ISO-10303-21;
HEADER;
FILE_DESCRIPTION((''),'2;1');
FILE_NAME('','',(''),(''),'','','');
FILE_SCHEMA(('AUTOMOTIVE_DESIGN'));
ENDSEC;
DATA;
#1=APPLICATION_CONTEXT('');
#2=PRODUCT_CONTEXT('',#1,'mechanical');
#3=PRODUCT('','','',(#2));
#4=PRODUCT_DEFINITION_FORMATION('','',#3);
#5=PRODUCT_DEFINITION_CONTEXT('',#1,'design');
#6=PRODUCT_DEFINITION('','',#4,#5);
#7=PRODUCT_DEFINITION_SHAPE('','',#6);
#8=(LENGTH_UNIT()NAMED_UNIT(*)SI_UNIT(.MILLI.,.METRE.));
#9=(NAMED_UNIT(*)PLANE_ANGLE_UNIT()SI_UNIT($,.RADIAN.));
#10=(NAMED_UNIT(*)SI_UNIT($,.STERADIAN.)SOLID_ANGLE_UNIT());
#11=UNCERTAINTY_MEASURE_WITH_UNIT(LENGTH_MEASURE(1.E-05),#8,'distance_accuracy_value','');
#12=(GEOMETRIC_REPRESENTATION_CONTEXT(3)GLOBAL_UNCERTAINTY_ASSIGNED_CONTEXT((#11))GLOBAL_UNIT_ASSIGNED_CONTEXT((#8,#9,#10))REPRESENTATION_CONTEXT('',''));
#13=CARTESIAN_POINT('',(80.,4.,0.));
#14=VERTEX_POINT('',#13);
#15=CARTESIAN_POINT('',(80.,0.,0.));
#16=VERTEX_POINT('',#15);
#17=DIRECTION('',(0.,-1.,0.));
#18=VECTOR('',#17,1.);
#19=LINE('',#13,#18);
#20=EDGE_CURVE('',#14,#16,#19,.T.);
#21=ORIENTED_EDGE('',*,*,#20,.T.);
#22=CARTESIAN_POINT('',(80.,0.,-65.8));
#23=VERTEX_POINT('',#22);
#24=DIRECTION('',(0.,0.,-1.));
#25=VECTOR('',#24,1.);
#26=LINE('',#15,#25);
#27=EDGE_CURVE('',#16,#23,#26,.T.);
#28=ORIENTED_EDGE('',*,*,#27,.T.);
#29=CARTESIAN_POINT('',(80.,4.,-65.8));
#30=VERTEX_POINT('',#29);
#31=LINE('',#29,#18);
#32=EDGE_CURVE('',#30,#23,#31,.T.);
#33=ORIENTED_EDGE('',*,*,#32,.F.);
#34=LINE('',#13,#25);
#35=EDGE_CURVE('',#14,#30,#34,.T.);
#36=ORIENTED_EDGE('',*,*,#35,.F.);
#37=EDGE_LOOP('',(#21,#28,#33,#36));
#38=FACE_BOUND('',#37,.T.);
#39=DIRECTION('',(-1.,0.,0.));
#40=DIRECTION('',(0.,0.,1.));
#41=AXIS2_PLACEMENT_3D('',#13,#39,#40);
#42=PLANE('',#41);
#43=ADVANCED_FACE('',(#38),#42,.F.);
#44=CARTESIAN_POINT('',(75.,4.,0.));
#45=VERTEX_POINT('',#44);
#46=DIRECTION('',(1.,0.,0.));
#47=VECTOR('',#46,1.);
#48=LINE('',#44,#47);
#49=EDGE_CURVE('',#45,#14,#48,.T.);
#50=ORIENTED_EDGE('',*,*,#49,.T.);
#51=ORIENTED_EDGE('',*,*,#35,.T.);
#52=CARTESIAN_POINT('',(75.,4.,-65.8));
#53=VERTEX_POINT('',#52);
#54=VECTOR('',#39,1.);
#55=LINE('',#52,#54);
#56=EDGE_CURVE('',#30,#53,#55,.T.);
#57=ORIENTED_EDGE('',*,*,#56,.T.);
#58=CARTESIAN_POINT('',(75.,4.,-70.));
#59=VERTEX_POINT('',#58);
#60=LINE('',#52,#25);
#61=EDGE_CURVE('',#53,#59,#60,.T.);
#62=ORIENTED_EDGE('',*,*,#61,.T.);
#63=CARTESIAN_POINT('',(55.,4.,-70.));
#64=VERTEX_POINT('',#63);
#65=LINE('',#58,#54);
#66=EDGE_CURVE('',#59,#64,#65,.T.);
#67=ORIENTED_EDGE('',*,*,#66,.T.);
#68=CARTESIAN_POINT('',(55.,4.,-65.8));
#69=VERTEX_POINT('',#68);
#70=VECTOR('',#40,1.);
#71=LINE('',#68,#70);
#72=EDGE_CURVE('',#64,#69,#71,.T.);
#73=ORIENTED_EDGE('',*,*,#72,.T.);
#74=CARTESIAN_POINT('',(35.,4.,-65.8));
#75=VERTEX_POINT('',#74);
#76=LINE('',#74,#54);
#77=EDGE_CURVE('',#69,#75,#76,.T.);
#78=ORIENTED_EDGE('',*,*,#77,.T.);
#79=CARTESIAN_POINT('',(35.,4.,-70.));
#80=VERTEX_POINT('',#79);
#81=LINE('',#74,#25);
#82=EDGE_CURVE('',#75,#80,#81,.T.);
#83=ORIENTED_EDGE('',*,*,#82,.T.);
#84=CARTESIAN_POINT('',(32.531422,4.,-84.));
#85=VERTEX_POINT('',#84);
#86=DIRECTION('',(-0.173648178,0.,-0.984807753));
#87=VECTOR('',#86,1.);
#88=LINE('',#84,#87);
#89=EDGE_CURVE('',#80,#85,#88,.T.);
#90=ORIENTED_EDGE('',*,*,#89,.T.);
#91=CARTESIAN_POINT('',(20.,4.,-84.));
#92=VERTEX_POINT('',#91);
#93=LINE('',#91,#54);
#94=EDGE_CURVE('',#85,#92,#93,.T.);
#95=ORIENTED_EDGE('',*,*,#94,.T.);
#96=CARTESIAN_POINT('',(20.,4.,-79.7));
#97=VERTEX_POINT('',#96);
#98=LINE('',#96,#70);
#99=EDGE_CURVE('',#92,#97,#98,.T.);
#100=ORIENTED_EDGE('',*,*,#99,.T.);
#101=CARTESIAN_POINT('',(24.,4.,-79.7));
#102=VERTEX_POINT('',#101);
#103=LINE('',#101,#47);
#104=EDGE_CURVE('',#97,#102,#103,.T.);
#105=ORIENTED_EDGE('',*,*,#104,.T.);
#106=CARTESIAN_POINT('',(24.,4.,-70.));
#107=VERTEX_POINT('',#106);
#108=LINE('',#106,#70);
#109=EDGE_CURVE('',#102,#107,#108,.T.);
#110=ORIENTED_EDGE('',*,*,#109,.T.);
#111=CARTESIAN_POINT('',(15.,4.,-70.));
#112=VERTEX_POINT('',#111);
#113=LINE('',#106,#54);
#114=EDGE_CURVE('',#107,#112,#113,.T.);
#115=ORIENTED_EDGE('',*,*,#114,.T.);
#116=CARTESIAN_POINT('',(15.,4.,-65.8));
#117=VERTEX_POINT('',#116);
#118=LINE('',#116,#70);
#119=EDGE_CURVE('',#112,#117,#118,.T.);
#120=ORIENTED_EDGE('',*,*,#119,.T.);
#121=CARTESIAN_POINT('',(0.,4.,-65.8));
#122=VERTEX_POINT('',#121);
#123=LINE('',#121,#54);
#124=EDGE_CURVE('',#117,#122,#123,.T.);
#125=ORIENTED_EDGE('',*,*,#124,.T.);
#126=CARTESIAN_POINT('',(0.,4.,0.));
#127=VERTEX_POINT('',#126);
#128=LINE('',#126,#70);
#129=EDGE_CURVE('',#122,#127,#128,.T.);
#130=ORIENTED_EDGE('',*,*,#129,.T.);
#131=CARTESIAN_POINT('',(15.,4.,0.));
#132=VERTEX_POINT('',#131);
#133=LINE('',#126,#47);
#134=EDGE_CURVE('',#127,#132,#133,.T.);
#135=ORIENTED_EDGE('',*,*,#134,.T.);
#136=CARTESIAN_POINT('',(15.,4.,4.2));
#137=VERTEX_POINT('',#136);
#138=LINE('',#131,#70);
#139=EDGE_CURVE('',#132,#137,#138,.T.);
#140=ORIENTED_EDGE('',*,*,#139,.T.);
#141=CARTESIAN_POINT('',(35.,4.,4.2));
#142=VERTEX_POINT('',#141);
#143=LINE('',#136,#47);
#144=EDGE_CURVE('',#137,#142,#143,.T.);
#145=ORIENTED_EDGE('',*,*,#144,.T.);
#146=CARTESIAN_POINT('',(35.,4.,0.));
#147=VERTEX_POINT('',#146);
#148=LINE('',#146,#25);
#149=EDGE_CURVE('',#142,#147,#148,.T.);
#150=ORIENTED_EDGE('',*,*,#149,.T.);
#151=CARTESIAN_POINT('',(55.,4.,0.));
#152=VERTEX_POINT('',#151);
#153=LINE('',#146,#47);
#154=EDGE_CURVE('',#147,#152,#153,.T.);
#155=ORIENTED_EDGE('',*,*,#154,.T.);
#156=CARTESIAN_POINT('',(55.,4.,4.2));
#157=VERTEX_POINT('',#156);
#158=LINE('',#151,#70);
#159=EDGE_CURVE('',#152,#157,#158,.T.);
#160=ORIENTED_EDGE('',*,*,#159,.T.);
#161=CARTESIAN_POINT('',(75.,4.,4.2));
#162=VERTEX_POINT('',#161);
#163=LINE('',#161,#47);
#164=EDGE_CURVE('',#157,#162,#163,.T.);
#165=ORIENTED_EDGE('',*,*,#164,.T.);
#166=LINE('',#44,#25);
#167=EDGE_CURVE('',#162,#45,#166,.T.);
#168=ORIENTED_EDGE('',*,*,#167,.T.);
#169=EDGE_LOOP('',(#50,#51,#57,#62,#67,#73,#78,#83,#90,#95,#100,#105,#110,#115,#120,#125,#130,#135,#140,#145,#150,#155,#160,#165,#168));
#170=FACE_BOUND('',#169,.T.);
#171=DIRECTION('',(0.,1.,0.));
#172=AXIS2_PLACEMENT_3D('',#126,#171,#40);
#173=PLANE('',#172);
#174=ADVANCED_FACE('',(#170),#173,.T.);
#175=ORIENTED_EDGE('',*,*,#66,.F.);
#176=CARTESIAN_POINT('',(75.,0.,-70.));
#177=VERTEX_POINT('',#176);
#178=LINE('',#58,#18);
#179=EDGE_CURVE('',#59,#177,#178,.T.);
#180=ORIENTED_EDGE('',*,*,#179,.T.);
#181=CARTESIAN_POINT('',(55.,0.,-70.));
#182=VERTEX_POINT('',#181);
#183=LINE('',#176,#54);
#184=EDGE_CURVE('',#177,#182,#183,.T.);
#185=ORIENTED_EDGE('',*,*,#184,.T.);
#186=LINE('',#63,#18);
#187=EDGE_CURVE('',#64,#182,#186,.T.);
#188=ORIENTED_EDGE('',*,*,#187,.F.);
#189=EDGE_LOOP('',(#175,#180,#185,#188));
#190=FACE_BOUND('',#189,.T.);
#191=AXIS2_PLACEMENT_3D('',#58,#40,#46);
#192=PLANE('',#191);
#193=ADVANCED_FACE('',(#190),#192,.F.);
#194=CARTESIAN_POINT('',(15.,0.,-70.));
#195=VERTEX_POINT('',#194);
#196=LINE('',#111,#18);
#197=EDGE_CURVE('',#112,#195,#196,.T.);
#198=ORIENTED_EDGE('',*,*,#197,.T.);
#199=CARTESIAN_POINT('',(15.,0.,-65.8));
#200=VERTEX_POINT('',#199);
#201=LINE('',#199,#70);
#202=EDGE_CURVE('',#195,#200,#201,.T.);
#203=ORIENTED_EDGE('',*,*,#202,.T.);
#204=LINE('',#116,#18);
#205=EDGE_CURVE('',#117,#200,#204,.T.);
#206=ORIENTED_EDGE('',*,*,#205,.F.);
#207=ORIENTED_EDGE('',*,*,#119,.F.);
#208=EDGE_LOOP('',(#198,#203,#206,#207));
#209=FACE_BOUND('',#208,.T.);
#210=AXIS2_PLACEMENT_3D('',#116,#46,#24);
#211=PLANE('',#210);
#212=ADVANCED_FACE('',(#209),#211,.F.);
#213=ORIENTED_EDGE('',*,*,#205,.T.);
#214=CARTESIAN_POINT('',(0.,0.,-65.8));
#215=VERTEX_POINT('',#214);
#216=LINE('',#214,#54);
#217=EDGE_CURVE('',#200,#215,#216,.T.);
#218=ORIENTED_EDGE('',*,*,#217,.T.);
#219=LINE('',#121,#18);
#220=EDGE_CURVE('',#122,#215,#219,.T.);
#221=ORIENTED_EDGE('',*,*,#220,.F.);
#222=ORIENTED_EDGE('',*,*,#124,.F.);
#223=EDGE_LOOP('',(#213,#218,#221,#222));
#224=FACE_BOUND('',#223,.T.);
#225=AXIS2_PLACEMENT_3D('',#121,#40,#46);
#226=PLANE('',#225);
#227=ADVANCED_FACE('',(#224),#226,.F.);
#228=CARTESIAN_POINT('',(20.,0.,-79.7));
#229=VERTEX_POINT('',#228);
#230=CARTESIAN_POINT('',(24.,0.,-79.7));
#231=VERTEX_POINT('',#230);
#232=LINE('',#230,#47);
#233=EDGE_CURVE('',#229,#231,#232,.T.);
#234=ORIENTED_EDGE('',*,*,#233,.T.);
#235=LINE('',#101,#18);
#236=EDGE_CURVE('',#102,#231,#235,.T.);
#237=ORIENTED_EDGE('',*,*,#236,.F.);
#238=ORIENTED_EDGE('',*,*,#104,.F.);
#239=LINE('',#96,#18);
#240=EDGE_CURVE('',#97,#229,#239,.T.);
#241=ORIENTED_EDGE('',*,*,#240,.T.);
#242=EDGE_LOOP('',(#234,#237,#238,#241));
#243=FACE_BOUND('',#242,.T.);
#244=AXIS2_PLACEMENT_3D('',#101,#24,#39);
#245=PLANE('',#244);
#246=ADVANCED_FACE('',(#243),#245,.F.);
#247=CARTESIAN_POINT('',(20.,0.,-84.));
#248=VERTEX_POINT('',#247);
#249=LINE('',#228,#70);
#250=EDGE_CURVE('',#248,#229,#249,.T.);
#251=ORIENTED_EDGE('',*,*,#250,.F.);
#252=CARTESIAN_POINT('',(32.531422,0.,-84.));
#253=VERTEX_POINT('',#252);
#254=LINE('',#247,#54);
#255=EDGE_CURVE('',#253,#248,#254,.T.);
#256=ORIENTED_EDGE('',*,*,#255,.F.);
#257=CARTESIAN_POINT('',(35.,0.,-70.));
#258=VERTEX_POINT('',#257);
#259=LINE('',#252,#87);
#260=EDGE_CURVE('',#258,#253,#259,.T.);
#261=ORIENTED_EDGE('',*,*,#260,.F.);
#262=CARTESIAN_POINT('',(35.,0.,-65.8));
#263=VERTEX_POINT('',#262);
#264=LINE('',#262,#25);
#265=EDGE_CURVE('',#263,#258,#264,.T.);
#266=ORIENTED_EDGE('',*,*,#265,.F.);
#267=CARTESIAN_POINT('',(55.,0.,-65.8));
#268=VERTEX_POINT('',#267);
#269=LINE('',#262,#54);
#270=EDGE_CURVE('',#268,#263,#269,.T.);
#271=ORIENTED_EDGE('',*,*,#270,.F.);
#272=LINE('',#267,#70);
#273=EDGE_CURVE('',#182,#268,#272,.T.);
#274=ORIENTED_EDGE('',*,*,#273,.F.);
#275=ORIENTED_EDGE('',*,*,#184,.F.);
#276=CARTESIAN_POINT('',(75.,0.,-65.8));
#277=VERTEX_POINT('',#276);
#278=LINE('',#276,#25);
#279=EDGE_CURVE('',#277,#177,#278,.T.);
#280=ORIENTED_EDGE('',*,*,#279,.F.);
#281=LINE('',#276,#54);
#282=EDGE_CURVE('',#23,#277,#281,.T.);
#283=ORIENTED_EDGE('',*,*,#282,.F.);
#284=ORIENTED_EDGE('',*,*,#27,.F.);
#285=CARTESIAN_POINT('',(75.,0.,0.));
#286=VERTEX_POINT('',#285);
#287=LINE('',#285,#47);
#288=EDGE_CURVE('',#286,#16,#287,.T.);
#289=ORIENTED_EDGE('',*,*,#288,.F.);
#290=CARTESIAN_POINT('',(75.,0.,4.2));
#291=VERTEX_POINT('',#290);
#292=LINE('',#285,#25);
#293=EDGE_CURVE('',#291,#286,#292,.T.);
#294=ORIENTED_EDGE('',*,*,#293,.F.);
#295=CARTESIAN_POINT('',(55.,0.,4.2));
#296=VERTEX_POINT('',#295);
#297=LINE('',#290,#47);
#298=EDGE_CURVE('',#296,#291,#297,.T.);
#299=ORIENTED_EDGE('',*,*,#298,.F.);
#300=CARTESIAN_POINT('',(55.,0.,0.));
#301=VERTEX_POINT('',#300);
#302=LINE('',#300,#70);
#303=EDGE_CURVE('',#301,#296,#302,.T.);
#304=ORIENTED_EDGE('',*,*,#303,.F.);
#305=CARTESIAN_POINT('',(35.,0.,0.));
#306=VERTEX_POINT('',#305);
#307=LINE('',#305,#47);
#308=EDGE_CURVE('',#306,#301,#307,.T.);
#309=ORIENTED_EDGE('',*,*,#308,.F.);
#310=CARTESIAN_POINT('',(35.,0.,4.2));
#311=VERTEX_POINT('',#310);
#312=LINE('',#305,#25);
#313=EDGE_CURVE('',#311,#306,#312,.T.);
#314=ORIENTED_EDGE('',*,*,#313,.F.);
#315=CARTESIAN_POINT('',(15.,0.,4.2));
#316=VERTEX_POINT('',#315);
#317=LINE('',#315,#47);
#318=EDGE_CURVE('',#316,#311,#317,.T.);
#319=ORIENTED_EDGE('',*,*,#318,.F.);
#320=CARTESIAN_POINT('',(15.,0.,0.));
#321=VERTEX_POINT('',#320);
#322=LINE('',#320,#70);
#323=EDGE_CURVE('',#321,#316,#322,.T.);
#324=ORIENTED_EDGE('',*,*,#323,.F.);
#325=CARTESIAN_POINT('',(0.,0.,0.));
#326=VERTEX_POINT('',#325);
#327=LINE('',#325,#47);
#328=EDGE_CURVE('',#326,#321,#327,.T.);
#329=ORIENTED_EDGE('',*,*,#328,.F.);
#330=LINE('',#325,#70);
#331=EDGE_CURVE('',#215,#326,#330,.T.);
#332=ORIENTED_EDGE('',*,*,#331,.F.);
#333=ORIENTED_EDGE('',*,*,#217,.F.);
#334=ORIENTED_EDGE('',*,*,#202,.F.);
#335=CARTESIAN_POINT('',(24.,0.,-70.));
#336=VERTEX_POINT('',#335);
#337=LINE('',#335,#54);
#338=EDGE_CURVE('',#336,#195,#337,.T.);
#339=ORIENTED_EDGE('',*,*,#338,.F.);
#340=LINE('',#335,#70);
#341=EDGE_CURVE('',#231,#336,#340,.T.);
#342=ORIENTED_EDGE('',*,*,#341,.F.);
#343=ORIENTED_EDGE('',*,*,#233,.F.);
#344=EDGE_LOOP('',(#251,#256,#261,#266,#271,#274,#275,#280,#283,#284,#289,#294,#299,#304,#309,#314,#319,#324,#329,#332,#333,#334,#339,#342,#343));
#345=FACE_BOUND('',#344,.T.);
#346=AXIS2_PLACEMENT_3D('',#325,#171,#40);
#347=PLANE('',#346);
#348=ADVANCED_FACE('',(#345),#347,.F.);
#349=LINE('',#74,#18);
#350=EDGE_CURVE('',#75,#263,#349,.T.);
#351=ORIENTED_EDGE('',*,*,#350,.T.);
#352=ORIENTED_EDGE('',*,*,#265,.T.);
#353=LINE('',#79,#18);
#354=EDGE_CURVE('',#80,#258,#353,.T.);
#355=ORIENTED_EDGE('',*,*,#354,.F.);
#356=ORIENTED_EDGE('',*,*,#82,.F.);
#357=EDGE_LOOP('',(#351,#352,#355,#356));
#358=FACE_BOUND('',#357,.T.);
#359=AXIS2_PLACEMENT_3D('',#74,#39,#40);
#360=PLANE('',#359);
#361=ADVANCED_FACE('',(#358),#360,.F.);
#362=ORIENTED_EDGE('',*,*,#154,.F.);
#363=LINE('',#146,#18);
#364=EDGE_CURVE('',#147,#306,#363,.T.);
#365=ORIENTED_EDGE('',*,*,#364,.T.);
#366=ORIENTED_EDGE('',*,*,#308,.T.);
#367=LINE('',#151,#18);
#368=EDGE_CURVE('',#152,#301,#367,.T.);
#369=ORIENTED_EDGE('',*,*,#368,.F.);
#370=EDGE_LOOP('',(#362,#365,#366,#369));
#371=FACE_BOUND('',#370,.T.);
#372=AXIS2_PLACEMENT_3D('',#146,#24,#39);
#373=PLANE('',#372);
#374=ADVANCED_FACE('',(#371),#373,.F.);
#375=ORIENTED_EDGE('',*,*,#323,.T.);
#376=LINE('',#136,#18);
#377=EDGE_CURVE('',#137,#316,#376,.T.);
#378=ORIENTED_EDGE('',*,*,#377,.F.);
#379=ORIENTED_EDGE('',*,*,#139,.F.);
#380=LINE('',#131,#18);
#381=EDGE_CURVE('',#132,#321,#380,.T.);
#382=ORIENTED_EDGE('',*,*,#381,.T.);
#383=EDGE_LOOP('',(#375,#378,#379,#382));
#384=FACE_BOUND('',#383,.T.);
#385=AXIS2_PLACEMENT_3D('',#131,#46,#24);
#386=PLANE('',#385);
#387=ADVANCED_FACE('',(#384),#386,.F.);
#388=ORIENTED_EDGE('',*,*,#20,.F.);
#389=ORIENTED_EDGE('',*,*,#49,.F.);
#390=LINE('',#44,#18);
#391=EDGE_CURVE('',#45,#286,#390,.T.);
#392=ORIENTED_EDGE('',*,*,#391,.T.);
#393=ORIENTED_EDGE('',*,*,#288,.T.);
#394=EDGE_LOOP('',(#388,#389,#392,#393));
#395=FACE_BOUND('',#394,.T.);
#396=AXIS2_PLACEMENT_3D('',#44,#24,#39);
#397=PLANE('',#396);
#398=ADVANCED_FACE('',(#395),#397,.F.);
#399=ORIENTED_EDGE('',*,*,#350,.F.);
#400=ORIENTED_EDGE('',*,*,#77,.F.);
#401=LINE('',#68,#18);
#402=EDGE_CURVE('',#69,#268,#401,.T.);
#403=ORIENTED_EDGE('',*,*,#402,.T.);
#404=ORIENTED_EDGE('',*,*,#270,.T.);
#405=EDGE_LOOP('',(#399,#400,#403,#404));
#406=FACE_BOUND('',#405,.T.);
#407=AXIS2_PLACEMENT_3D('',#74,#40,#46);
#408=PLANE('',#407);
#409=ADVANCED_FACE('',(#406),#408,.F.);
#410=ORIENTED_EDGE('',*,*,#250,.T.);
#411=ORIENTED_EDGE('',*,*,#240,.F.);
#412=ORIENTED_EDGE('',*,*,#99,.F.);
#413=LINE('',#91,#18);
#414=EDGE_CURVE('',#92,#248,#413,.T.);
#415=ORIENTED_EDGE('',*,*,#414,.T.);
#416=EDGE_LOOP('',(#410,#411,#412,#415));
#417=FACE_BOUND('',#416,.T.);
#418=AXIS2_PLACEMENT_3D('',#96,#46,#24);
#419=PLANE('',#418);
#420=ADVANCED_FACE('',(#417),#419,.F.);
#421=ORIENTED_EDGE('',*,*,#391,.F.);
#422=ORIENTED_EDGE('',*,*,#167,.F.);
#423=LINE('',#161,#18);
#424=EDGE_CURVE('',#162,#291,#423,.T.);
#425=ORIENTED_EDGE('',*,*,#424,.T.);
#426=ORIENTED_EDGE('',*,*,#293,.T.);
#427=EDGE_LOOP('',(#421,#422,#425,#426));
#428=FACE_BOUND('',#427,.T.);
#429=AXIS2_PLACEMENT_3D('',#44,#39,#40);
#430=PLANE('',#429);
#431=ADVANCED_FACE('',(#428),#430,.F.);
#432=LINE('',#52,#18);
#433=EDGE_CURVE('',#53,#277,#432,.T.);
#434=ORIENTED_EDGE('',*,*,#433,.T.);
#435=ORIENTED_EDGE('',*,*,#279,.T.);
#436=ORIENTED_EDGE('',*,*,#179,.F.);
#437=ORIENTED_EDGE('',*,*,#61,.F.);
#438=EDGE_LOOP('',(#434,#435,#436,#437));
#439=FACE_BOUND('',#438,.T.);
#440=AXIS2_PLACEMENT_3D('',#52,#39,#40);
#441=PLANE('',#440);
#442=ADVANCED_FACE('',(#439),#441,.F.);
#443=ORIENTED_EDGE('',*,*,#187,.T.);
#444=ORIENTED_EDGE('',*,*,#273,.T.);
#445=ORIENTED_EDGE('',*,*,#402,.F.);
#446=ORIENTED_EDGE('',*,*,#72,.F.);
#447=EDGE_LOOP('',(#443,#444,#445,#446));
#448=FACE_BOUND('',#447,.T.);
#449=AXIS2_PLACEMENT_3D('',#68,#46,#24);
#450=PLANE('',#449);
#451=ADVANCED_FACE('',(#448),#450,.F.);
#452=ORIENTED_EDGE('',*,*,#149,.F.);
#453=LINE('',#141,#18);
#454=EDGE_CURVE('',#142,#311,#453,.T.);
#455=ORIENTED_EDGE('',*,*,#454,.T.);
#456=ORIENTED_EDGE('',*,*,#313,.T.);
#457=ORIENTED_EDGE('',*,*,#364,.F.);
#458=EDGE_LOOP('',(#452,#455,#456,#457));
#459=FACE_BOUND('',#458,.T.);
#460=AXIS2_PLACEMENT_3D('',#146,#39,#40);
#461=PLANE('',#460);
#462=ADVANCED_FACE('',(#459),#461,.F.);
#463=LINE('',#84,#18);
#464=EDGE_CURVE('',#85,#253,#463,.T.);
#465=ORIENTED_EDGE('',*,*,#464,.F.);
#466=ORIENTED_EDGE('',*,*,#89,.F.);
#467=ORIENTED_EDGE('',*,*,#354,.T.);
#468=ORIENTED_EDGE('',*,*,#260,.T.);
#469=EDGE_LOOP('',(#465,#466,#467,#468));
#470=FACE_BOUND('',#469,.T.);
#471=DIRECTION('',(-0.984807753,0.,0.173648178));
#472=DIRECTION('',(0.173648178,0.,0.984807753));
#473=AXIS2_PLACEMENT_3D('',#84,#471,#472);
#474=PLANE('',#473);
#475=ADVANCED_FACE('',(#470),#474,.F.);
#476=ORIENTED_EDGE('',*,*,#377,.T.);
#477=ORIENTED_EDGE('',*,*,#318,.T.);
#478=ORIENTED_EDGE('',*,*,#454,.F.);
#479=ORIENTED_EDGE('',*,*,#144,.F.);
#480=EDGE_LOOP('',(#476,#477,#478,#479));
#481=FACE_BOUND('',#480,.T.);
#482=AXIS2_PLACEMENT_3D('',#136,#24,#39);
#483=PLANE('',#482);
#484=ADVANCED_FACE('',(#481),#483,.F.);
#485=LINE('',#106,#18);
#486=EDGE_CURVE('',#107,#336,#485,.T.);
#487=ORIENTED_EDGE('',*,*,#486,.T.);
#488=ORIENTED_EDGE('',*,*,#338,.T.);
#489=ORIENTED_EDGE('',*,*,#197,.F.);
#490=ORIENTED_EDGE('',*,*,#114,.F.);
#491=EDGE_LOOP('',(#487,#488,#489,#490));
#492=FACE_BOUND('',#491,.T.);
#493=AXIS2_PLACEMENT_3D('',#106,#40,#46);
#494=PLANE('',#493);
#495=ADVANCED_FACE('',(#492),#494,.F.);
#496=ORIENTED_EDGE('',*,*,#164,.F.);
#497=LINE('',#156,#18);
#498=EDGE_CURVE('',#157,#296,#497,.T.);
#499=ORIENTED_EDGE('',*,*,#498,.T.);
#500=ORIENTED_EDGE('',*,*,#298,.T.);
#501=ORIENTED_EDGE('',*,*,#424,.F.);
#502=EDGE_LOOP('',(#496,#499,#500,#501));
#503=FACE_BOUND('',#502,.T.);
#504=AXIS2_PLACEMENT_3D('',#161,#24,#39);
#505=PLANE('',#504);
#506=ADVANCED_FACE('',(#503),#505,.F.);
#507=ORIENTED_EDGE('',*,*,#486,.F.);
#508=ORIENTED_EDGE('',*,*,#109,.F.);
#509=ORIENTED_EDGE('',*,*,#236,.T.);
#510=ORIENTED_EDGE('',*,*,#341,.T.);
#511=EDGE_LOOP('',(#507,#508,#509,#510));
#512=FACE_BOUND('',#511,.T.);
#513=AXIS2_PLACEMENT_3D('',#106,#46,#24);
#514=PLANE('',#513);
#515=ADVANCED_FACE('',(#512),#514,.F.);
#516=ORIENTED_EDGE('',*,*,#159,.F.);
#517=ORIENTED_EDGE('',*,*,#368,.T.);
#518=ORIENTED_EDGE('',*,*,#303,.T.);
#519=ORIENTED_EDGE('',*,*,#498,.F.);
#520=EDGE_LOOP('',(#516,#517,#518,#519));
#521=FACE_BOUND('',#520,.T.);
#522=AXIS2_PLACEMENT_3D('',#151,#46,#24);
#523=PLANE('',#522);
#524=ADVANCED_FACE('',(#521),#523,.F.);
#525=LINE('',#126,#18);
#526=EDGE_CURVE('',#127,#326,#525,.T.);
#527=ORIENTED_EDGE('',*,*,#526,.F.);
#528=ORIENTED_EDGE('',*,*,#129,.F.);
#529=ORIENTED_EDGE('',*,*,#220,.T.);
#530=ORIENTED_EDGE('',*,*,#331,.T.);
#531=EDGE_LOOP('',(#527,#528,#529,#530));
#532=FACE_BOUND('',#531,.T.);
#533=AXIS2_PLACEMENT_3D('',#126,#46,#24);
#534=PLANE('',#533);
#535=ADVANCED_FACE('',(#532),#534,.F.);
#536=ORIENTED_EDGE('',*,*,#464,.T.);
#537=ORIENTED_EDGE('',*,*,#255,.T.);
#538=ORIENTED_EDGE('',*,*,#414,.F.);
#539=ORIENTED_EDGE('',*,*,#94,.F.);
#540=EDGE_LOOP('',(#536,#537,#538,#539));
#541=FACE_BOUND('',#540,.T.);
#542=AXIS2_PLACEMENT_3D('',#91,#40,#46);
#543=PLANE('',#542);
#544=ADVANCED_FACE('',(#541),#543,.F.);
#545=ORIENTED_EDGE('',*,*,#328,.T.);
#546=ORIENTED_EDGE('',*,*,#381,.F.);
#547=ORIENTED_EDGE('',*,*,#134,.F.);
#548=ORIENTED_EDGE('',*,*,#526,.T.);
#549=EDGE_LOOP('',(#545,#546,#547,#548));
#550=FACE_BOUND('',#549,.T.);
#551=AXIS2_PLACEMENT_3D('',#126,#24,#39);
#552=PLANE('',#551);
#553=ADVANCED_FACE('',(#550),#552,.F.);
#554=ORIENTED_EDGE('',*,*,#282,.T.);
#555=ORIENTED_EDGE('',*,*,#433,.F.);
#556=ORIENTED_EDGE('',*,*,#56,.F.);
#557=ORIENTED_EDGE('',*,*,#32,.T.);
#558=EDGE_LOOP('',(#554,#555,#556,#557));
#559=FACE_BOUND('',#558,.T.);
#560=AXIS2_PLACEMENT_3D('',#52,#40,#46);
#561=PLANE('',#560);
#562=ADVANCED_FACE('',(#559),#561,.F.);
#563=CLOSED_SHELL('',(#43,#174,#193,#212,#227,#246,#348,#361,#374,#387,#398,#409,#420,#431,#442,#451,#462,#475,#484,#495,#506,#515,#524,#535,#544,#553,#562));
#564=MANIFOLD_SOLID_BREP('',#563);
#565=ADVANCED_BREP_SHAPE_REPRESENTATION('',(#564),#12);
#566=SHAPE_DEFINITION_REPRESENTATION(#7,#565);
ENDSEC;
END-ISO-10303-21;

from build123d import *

# Parameters (mm, degrees)
BOSS_EXTRU_1_DEPTH = 4


with BuildPart() as part:
    # Esquisse1 → Boss.-Extru.1 (new body)
    with BuildSketch(Plane(origin=(0, 0, 0), x_dir=(1, 0, 0), z_dir=(0, 1, 0))):
        Polygon((0, 0), (15, 0), (15, -4.2), (35, -4.2), (35, 0), (55, 0), (55, -4.2), (75, -4.2), (75, 0), (80, 0), (80, 65.8), (75, 65.8), (75, 70), (55, 70), (55, 65.8), (35, 65.8), (35, 70), (32.53142227, 84), (20, 84), (20, 79.7), (24, 79.7), (24, 70), (15, 70), (15, 65.8), (0, 65.8), align=None)
    extrude(amount=BOSS_EXTRU_1_DEPTH)


solid = part.part
